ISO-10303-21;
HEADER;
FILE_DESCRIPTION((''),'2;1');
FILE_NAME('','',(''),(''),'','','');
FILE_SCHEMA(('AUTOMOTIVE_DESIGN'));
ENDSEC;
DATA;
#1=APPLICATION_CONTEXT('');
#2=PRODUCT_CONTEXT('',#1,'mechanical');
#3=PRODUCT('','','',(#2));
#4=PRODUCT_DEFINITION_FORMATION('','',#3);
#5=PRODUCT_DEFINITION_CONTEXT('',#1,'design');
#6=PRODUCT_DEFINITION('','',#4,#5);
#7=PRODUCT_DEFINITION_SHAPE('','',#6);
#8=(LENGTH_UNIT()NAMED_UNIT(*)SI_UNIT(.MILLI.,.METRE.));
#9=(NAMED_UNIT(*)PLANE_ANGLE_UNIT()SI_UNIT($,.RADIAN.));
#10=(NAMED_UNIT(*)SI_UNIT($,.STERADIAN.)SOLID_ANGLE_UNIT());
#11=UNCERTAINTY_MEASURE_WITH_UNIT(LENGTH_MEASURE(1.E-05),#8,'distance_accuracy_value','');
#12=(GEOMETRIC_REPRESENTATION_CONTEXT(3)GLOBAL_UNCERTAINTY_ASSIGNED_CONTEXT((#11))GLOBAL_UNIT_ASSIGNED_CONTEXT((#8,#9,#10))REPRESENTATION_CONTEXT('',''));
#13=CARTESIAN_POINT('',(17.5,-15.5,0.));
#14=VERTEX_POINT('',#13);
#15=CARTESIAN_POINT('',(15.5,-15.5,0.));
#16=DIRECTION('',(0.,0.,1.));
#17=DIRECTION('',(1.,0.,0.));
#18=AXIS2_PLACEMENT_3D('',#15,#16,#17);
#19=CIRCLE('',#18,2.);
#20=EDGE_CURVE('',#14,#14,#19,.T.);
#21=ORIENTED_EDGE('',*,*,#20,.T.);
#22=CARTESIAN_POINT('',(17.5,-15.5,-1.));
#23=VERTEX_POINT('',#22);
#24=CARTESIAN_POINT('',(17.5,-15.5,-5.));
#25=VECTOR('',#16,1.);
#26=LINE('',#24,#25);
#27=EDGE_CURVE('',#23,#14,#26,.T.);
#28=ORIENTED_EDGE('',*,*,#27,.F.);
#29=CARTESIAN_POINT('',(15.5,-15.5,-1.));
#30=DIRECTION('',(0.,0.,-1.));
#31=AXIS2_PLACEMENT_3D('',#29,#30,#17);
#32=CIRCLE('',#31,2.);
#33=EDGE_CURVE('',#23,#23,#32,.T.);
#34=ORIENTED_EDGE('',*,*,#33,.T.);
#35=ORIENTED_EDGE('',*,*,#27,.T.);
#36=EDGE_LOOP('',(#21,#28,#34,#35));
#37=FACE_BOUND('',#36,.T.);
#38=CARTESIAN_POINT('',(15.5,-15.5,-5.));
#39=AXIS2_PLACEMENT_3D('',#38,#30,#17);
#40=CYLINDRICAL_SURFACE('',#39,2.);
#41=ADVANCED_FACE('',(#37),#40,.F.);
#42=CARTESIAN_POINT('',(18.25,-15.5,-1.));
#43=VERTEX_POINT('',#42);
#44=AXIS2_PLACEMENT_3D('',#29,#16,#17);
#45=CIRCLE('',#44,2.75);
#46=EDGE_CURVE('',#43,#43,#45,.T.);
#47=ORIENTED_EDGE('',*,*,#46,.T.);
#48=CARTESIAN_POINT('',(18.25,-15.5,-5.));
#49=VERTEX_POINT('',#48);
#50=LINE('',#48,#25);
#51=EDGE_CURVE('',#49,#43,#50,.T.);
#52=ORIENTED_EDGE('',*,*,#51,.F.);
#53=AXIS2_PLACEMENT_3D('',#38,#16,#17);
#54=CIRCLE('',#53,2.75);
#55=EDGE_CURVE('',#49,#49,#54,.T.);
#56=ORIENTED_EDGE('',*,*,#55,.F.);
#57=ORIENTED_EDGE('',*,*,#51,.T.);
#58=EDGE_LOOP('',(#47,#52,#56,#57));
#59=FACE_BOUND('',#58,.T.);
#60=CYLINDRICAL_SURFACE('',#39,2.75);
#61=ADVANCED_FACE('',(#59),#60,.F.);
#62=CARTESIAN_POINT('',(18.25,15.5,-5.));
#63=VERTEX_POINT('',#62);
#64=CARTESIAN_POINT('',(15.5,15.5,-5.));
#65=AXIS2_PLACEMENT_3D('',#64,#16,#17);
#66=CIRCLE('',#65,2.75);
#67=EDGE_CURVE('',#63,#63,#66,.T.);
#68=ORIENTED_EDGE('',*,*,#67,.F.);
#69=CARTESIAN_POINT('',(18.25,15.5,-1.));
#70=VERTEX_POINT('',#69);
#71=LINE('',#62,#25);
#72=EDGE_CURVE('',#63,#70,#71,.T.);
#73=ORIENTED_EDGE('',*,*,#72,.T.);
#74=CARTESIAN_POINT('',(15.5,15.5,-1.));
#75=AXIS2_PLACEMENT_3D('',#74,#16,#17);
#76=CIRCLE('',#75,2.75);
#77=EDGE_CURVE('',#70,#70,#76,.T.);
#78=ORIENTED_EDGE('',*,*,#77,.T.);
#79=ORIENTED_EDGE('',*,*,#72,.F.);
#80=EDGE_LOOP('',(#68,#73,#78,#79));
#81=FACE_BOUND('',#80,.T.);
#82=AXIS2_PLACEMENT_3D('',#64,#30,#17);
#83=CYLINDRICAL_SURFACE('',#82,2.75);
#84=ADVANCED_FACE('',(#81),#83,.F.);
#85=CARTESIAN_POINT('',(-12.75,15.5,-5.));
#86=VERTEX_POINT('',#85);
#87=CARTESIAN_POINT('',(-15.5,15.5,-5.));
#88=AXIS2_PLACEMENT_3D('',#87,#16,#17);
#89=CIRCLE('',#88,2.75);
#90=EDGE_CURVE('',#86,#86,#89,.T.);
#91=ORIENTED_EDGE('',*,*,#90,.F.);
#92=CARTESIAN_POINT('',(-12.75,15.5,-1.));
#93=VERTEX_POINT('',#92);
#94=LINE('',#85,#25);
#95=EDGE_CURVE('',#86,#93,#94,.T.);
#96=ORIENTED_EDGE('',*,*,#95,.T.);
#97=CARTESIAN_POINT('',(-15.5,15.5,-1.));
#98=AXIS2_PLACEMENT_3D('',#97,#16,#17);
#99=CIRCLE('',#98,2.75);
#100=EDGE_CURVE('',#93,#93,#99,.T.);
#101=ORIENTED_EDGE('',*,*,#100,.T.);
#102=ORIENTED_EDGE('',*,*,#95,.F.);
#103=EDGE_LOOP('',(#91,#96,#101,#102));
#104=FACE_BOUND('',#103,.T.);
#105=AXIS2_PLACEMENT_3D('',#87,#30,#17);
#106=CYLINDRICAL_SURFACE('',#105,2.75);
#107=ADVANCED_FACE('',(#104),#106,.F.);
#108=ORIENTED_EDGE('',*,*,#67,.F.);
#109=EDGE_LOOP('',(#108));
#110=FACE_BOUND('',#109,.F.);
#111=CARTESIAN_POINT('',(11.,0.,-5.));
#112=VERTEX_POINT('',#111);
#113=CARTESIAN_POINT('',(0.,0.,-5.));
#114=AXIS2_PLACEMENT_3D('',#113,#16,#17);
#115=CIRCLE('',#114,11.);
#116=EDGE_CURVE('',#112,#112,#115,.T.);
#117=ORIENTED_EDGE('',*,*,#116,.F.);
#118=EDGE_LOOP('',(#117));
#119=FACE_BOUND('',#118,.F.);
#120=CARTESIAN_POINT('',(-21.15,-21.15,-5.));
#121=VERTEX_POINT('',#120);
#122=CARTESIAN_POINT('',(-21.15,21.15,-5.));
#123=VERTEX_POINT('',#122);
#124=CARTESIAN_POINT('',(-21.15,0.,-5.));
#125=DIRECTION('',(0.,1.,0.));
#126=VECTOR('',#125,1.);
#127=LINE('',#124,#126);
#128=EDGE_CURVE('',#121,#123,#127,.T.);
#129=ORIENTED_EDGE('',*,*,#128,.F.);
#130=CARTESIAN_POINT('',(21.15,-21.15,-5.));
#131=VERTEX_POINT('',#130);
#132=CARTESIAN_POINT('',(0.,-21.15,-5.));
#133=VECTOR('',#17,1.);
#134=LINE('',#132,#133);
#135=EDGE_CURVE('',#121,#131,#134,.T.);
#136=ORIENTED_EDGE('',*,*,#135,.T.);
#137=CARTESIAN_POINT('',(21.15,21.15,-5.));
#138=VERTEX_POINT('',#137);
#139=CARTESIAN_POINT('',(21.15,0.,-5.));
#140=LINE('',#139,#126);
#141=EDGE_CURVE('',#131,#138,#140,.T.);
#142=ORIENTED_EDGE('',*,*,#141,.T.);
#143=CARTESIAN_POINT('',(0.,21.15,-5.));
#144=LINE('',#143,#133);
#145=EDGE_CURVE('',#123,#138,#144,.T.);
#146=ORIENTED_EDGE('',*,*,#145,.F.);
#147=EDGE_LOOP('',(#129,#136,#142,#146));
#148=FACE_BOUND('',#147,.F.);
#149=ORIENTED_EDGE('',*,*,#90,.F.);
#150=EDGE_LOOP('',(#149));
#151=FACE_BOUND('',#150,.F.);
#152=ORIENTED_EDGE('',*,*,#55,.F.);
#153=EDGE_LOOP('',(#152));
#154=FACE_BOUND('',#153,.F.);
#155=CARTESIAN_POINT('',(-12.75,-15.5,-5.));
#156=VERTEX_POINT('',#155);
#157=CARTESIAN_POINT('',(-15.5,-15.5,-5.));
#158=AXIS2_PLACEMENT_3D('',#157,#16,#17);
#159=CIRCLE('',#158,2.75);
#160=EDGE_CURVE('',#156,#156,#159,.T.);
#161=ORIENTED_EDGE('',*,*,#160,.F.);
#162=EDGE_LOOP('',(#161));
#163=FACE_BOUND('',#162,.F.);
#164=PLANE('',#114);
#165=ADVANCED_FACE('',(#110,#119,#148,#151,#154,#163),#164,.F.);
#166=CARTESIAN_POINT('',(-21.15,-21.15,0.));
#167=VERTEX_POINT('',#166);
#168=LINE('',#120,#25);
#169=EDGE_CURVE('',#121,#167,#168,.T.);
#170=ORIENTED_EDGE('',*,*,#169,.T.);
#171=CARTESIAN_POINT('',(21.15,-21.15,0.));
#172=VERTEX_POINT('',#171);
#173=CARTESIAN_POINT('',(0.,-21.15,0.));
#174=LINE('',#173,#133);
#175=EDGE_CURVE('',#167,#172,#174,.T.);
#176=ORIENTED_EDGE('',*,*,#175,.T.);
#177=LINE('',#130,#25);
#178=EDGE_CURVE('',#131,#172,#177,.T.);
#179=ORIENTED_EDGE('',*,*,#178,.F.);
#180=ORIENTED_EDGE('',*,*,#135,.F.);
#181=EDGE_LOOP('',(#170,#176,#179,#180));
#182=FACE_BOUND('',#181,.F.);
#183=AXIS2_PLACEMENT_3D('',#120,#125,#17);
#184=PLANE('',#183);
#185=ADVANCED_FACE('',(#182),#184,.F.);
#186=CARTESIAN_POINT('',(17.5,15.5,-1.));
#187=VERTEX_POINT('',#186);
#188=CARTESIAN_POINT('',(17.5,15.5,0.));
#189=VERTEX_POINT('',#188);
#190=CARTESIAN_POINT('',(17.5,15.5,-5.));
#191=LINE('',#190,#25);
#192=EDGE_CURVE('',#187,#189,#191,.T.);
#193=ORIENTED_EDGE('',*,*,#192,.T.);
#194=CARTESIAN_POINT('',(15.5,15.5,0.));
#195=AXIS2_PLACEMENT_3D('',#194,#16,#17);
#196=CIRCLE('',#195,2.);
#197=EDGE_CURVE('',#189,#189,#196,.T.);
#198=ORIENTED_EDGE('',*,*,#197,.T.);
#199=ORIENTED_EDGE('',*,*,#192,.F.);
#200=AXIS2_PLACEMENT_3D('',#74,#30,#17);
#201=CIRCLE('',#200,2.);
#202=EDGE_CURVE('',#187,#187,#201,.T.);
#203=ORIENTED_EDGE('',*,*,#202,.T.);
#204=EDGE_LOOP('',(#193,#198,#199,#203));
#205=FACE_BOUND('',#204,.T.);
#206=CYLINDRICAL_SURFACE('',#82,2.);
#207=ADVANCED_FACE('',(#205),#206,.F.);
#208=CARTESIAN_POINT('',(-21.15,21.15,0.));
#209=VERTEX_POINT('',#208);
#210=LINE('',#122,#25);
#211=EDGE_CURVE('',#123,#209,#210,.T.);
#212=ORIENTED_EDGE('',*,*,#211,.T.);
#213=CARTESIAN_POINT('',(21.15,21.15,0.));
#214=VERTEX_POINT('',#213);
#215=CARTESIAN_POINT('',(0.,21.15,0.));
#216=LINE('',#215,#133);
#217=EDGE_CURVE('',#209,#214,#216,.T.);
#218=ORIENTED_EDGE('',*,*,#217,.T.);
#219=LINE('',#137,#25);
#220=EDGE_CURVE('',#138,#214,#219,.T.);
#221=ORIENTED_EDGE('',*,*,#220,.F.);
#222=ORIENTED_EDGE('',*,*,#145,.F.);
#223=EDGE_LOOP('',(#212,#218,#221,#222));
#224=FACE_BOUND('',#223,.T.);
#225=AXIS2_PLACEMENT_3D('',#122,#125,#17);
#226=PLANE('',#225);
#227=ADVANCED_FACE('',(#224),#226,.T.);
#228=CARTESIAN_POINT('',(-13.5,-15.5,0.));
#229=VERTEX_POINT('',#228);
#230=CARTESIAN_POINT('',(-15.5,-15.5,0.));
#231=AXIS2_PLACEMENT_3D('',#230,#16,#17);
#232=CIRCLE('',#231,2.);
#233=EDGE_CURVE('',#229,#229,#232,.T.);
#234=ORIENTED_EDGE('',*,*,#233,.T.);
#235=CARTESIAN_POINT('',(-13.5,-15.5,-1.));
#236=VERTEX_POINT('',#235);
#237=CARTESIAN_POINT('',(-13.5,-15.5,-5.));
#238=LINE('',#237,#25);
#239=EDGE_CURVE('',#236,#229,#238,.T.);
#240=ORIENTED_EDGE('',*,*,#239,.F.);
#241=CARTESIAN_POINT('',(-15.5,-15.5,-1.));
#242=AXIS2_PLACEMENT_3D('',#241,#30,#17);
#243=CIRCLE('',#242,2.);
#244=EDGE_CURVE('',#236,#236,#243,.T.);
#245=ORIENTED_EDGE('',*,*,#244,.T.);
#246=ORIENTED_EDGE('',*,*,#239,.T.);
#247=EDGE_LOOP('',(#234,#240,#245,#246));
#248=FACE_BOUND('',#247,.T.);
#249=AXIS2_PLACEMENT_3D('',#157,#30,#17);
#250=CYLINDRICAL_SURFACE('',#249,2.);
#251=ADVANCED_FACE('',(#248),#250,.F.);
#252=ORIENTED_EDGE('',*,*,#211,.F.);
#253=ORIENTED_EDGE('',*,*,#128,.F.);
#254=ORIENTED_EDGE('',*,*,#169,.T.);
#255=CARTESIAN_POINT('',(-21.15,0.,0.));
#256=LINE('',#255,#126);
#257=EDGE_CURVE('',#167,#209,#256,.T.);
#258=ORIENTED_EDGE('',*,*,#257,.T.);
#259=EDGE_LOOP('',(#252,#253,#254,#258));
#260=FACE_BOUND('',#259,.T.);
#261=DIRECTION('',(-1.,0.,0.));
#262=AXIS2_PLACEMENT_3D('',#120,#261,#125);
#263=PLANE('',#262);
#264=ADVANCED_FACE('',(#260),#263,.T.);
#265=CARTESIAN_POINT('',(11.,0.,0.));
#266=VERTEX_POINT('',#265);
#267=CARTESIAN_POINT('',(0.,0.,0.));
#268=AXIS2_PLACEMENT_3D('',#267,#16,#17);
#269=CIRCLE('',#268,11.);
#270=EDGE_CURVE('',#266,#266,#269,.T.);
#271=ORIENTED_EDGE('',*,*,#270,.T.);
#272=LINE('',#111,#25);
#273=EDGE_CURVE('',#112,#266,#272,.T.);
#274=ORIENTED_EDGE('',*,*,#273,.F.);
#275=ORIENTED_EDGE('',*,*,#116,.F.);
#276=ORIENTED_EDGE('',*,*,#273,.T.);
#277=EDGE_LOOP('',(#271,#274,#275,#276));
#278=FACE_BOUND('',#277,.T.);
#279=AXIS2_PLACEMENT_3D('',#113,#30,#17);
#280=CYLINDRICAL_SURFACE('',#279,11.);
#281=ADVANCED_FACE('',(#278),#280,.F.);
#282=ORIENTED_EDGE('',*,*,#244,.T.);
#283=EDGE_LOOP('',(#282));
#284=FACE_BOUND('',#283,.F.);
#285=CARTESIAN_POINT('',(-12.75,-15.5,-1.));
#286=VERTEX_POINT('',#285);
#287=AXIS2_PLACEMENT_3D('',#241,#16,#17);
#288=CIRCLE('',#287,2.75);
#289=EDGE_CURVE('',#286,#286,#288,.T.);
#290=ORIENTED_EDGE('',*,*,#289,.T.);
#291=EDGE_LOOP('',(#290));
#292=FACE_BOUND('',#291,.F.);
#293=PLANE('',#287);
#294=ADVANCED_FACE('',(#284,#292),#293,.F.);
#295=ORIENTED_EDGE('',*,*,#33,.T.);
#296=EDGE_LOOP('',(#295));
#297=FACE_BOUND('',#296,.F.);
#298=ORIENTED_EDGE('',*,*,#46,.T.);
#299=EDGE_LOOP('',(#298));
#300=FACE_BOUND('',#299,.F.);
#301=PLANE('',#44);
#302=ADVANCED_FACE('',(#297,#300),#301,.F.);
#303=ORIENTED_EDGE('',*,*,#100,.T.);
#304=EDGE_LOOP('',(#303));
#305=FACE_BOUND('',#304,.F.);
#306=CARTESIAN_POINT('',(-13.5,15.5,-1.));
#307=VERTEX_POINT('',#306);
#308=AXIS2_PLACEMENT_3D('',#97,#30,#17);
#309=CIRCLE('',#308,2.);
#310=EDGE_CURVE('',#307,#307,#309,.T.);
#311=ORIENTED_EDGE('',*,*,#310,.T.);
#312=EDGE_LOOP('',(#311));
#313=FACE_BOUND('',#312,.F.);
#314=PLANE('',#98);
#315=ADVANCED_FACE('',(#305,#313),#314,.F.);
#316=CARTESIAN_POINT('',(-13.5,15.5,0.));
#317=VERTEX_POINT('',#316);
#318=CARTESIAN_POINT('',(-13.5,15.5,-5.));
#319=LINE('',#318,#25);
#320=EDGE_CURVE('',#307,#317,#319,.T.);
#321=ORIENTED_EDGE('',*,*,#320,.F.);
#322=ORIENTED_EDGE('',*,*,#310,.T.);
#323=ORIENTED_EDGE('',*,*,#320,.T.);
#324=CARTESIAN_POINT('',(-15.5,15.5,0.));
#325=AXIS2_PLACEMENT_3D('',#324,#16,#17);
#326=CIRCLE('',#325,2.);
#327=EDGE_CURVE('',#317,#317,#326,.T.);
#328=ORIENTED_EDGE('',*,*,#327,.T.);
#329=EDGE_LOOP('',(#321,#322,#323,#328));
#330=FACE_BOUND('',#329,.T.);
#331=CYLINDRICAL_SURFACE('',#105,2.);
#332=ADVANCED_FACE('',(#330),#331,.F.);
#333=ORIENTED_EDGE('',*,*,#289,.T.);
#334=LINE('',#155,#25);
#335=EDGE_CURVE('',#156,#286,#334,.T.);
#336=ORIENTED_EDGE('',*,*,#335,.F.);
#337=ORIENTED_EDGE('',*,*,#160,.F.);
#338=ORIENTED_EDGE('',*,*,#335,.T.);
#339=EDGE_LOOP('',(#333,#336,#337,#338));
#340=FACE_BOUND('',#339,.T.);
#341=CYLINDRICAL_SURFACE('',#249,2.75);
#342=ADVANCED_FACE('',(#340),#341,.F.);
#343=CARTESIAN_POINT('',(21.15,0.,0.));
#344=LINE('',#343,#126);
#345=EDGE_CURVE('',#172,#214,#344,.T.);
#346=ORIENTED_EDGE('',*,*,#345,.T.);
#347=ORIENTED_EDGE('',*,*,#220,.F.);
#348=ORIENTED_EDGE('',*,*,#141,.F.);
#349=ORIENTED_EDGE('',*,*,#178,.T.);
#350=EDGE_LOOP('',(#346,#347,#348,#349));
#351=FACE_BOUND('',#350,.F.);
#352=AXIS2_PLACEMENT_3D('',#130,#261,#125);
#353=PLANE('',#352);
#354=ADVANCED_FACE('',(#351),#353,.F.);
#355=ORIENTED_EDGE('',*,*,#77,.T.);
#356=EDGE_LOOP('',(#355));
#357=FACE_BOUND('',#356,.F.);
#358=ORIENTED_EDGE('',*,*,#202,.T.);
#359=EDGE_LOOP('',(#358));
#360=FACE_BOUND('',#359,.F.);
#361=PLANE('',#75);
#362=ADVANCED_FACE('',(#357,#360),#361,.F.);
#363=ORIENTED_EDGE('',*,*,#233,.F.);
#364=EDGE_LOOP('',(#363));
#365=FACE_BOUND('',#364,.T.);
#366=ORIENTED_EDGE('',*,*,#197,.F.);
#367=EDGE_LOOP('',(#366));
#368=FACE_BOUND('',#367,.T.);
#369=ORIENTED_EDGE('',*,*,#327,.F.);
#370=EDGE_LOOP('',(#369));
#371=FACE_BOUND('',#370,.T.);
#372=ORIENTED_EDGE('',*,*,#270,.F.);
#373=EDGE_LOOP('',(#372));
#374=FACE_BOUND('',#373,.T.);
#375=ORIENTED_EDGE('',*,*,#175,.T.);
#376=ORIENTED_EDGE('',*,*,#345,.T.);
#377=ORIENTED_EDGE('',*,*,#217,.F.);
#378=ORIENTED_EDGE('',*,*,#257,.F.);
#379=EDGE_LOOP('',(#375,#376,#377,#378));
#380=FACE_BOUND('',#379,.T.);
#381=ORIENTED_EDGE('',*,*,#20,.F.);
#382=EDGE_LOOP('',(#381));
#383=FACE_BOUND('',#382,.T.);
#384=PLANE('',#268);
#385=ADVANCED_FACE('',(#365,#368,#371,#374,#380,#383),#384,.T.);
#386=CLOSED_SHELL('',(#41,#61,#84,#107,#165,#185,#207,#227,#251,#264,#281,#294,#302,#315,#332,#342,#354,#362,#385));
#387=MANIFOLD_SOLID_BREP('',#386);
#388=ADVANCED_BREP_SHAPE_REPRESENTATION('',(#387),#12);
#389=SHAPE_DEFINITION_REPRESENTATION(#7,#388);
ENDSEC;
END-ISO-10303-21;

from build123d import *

# Parameters (mm, degrees)
CYLINDER012_R     = 2
CYLINDER012_DEPTH = 5
CYLINDER011_R     = 2.75
CYLINDER011_DEPTH = 4
CYLINDER010_R     = 2
CYLINDER010_DEPTH = 5
CYLINDER009_R     = 2.75
CYLINDER009_DEPTH = 4
CYLINDER008_R     = 2
CYLINDER008_DEPTH = 5
CYLINDER007_R     = 2.75
CYLINDER007_DEPTH = 4
CYLINDER014_R     = 2
CYLINDER014_DEPTH = 5
CYLINDER013_R     = 2.75
CYLINDER013_DEPTH = 4
CYLINDER006_R     = 11
CYLINDER006_DEPTH = 5
BOX005_W          = 42.3
BOX005_H          = 42.3
BOX005_DEPTH      = 5


with BuildPart() as cylinder012:
    # Cylinder012 → Cylinder012 (new body)
    with BuildSketch(Plane.XY.offset(-5)):
        Circle(CYLINDER012_R)
    extrude(amount=CYLINDER012_DEPTH)


with BuildPart() as fusion004:
    # Cylinder011 → Cylinder011 (new body)
    with BuildSketch(Plane.XY.offset(-5)):
        Circle(CYLINDER011_R)
    extrude(amount=CYLINDER011_DEPTH)

    # Fusion004: union Cylinder012
    add(cylinder012.part)


with BuildPart() as fusion004_1:
    # Fusion004 placement: moved
    add(fusion004.part.moved(Location((-15.5, 15.5, 0))))


with BuildPart() as cylinder010:
    # Cylinder010 → Cylinder010 (new body)
    with BuildSketch(Plane.XY.offset(-5)):
        Circle(CYLINDER010_R)
    extrude(amount=CYLINDER010_DEPTH)


with BuildPart() as fusion003:
    # Cylinder009 → Cylinder009 (new body)
    with BuildSketch(Plane.XY.offset(-5)):
        Circle(CYLINDER009_R)
    extrude(amount=CYLINDER009_DEPTH)

    # Fusion003: union Cylinder010
    add(cylinder010.part)


with BuildPart() as fusion003_1:
    # Fusion003 placement: moved
    add(fusion003.part.moved(Location((15.5, -15.5, 0))))


with BuildPart() as cylinder008:
    # Cylinder008 → Cylinder008 (new body)
    with BuildSketch(Plane.XY.offset(-5)):
        Circle(CYLINDER008_R)
    extrude(amount=CYLINDER008_DEPTH)


with BuildPart() as fusion002:
    # Cylinder007 → Cylinder007 (new body)
    with BuildSketch(Plane.XY.offset(-5)):
        Circle(CYLINDER007_R)
    extrude(amount=CYLINDER007_DEPTH)

    # Fusion002: union Cylinder008
    add(cylinder008.part)


with BuildPart() as fusion002_1:
    # Fusion002 placement: moved
    add(fusion002.part.moved(Location((-15.5, -15.5, 0))))


with BuildPart() as cylinder014:
    # Cylinder014 → Cylinder014 (new body)
    with BuildSketch(Plane.XY.offset(-5)):
        Circle(CYLINDER014_R)
    extrude(amount=CYLINDER014_DEPTH)


with BuildPart() as compound006:
    # Cylinder013 → Cylinder013 (new body)
    with BuildSketch(Plane.XY.offset(-5)):
        Circle(CYLINDER013_R)
    extrude(amount=CYLINDER013_DEPTH)

    # Fusion005: union Cylinder014
    add(cylinder014.part)


with BuildPart() as compound006_1:
    # Fusion005 placement: moved
    add(compound006.part.moved(Location((15.5, 15.5, 0))))

    # Compound006: union Fusion004, Fusion003, Fusion002
    add(fusion004_1.part)
    add(fusion003_1.part)
    add(fusion002_1.part)


with BuildPart() as cylinder006:
    # Cylinder006 → Cylinder006 (new body)
    with BuildSketch(Plane.XY.offset(-5)):
        Circle(CYLINDER006_R)
    extrude(amount=CYLINDER006_DEPTH)


with BuildPart() as cut003:
    # Box005 → Box005 (new body)
    with BuildSketch(Plane(origin=(-21.15, -21.15, -5), x_dir=(1, 0, 0), z_dir=(0, 0, 1))):
        with Locations((21.15, 21.15)):
            Rectangle(BOX005_W, BOX005_H)
    extrude(amount=BOX005_DEPTH)

    # Cut002: cut Cylinder006
    add(cylinder006.part, mode=Mode.SUBTRACT)

    # Cut003: cut Compound006
    add(compound006_1.part, mode=Mode.SUBTRACT)


solid = cut003.part
